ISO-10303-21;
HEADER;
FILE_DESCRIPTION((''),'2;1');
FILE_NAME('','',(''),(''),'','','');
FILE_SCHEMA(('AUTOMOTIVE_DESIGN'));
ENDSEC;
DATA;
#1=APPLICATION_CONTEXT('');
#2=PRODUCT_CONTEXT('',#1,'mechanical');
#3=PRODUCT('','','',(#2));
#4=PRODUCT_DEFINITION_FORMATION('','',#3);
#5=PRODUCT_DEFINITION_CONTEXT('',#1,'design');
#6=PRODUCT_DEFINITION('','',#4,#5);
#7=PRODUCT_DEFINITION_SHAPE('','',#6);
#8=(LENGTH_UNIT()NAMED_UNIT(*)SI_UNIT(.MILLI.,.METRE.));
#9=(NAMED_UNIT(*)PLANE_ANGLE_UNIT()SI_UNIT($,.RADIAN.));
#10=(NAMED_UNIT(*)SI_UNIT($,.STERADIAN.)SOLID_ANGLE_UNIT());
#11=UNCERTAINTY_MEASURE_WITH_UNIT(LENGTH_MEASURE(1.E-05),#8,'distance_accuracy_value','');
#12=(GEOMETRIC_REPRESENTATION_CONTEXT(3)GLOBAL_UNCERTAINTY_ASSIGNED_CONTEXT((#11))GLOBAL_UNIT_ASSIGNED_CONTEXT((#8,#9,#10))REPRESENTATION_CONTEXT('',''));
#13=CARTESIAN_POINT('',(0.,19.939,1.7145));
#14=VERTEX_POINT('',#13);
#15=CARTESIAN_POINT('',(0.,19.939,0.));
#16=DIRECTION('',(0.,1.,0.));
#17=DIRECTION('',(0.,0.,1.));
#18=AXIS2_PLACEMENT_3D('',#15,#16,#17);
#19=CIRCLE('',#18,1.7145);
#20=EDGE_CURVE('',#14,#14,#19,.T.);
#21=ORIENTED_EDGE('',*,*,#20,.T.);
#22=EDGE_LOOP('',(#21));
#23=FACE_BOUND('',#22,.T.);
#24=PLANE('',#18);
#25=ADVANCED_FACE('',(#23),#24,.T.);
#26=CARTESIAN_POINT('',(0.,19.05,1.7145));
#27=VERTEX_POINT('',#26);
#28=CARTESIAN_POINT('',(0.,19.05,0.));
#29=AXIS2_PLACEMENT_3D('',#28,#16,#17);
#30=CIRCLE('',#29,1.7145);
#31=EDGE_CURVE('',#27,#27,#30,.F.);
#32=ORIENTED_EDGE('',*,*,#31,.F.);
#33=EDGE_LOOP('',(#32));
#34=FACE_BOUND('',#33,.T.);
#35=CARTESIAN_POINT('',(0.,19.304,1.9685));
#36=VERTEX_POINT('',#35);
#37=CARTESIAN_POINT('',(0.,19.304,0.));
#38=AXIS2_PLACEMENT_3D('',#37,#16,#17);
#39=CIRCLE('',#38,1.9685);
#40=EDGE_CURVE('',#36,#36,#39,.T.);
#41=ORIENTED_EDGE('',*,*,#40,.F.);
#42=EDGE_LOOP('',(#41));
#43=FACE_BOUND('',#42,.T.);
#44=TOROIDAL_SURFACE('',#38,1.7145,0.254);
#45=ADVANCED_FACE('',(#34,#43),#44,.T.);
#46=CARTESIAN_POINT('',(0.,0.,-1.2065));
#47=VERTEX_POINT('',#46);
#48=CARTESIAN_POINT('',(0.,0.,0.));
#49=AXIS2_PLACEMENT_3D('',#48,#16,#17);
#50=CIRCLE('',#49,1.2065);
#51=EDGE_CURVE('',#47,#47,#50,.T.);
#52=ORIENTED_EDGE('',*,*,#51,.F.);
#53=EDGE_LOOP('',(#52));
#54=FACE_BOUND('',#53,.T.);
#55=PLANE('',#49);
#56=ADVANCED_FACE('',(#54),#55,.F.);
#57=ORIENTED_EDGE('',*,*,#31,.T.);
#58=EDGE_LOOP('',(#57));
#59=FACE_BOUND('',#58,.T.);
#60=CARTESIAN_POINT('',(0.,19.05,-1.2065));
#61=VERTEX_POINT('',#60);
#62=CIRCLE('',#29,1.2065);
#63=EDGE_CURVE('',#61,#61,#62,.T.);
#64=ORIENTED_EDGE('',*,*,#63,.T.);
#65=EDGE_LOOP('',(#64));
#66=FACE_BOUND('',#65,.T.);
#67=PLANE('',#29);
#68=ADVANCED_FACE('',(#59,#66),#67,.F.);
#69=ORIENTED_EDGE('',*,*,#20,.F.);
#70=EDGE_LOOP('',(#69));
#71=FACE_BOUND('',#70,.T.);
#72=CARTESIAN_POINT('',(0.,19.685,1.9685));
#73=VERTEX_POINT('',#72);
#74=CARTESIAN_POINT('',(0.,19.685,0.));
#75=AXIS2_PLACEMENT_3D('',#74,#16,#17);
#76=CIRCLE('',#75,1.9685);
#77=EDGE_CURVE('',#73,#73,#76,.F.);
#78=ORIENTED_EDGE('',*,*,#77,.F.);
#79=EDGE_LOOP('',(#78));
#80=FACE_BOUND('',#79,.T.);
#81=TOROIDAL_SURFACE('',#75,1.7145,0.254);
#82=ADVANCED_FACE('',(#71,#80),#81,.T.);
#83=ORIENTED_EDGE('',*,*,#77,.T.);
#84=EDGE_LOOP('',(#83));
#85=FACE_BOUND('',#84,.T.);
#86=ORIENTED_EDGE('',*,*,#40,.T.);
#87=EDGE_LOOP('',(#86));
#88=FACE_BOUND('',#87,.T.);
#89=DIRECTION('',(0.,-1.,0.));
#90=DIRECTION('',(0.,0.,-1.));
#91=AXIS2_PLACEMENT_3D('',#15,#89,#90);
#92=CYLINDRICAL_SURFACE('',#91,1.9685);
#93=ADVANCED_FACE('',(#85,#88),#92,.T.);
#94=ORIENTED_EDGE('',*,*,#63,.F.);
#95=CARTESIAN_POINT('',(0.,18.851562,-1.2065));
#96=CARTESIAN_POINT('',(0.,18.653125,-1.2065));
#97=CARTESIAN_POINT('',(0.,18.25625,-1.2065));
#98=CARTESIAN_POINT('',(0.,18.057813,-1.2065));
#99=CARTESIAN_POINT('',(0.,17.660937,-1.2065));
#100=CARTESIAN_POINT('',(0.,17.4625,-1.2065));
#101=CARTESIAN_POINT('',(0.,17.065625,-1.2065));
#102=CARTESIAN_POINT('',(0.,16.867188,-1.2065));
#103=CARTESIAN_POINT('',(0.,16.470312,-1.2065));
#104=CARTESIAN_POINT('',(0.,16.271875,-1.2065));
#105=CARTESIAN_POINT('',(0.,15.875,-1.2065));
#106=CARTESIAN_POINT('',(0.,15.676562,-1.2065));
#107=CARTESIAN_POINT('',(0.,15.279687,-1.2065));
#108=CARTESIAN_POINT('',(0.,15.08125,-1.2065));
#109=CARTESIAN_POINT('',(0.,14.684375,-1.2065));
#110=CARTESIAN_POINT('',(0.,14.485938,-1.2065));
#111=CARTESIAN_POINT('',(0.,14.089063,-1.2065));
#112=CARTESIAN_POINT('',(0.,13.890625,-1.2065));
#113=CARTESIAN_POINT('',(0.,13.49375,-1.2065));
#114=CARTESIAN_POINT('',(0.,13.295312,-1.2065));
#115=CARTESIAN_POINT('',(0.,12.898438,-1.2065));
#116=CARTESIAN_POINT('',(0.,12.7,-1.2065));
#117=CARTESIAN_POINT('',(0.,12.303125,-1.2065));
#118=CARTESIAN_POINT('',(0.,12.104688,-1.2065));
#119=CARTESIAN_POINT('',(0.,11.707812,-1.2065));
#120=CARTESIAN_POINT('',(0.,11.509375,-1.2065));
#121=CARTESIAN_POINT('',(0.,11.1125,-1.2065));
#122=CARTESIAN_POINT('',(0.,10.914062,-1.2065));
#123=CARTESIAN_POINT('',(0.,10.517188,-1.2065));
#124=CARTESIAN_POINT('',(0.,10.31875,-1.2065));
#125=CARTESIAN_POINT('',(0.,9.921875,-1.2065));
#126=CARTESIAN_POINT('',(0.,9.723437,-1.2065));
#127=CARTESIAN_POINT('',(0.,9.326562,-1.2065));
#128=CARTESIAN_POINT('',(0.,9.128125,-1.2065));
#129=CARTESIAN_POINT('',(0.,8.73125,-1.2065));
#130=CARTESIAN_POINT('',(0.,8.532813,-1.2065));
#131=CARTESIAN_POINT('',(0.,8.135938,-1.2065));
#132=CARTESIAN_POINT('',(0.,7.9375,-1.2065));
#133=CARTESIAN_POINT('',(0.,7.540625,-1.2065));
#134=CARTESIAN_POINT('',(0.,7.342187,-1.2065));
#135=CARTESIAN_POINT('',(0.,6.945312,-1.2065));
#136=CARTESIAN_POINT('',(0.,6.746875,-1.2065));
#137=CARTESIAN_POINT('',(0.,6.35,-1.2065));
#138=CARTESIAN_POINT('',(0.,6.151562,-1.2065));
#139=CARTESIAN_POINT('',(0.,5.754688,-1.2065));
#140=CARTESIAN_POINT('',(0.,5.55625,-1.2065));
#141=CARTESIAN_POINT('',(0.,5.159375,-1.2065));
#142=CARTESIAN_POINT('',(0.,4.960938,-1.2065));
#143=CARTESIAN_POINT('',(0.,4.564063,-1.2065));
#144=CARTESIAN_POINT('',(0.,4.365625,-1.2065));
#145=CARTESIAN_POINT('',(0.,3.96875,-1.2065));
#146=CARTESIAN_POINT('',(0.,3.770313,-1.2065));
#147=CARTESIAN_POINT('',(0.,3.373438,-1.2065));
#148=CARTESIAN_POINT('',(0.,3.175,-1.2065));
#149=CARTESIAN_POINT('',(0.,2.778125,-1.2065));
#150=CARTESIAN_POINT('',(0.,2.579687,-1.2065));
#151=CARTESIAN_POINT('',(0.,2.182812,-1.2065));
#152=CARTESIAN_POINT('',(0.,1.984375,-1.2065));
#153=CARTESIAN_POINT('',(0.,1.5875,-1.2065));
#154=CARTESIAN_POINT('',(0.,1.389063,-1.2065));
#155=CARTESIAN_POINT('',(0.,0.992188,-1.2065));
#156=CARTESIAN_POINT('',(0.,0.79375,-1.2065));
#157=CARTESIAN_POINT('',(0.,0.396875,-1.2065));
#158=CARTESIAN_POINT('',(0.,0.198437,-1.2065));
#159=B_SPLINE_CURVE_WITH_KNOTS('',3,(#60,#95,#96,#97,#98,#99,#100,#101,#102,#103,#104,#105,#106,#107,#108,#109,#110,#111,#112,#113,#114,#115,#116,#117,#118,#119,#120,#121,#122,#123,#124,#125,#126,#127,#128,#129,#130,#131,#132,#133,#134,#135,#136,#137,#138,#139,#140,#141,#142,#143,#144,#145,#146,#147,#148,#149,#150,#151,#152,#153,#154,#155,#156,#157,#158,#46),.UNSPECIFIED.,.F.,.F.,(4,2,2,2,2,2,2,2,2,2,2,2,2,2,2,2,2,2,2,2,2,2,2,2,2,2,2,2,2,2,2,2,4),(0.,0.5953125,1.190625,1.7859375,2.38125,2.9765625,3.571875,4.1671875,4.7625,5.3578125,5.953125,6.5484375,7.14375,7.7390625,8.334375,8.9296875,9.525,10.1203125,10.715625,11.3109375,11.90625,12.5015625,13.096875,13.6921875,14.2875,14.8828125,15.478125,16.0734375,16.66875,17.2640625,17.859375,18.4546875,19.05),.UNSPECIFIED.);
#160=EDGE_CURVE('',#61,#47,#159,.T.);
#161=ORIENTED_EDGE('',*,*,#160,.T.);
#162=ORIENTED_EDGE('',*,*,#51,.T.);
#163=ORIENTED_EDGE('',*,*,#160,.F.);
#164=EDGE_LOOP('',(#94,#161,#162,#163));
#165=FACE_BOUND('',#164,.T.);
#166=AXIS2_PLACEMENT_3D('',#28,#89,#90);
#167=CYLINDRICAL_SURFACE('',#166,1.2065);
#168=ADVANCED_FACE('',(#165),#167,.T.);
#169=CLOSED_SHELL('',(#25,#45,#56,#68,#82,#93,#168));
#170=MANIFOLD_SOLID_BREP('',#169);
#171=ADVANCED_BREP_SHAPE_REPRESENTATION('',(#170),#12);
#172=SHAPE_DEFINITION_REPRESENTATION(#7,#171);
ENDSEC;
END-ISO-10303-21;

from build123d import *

# Parameters (mm, degrees)
SKETCH2_R           = 1.2065
BOSS_EXTRUDE1_DEPTH = 19.05
SKETCH3_R           = 1.9685
BOSS_EXTRUDE2_DEPTH = 0.889
FILLET1_R           = 0.254


with BuildPart() as part:
    # Sketch2 → Boss-Extrude1 (new body)
    with BuildSketch(Plane(origin=(0, 0, 0), x_dir=(1, 0, 0), z_dir=(0, 1, 0))):
        with Locations(Location((0, 0, 0), (0, 0, 90))):
            Circle(SKETCH2_R)
    extrude(amount=BOSS_EXTRUDE1_DEPTH)

    # Sketch3 → Boss-Extrude2 (add)
    with BuildSketch(Plane(origin=(0, 19.05, 0), x_dir=(1, 0, 0), z_dir=(0, 1, 0))):
        with Locations(Location((0, 0, 0), (0, 0, 270))):
            Circle(SKETCH3_R)
    extrude(amount=BOSS_EXTRUDE2_DEPTH)

    # Fillet1
    fillet1_edges = [part.edges().sort_by_distance(p)[0] for p in [
        (0, 19.05, -1.9685),
        (0, 19.939, -1.9685),
    ]]
    fillet(fillet1_edges, radius=FILLET1_R)


solid = part.part
